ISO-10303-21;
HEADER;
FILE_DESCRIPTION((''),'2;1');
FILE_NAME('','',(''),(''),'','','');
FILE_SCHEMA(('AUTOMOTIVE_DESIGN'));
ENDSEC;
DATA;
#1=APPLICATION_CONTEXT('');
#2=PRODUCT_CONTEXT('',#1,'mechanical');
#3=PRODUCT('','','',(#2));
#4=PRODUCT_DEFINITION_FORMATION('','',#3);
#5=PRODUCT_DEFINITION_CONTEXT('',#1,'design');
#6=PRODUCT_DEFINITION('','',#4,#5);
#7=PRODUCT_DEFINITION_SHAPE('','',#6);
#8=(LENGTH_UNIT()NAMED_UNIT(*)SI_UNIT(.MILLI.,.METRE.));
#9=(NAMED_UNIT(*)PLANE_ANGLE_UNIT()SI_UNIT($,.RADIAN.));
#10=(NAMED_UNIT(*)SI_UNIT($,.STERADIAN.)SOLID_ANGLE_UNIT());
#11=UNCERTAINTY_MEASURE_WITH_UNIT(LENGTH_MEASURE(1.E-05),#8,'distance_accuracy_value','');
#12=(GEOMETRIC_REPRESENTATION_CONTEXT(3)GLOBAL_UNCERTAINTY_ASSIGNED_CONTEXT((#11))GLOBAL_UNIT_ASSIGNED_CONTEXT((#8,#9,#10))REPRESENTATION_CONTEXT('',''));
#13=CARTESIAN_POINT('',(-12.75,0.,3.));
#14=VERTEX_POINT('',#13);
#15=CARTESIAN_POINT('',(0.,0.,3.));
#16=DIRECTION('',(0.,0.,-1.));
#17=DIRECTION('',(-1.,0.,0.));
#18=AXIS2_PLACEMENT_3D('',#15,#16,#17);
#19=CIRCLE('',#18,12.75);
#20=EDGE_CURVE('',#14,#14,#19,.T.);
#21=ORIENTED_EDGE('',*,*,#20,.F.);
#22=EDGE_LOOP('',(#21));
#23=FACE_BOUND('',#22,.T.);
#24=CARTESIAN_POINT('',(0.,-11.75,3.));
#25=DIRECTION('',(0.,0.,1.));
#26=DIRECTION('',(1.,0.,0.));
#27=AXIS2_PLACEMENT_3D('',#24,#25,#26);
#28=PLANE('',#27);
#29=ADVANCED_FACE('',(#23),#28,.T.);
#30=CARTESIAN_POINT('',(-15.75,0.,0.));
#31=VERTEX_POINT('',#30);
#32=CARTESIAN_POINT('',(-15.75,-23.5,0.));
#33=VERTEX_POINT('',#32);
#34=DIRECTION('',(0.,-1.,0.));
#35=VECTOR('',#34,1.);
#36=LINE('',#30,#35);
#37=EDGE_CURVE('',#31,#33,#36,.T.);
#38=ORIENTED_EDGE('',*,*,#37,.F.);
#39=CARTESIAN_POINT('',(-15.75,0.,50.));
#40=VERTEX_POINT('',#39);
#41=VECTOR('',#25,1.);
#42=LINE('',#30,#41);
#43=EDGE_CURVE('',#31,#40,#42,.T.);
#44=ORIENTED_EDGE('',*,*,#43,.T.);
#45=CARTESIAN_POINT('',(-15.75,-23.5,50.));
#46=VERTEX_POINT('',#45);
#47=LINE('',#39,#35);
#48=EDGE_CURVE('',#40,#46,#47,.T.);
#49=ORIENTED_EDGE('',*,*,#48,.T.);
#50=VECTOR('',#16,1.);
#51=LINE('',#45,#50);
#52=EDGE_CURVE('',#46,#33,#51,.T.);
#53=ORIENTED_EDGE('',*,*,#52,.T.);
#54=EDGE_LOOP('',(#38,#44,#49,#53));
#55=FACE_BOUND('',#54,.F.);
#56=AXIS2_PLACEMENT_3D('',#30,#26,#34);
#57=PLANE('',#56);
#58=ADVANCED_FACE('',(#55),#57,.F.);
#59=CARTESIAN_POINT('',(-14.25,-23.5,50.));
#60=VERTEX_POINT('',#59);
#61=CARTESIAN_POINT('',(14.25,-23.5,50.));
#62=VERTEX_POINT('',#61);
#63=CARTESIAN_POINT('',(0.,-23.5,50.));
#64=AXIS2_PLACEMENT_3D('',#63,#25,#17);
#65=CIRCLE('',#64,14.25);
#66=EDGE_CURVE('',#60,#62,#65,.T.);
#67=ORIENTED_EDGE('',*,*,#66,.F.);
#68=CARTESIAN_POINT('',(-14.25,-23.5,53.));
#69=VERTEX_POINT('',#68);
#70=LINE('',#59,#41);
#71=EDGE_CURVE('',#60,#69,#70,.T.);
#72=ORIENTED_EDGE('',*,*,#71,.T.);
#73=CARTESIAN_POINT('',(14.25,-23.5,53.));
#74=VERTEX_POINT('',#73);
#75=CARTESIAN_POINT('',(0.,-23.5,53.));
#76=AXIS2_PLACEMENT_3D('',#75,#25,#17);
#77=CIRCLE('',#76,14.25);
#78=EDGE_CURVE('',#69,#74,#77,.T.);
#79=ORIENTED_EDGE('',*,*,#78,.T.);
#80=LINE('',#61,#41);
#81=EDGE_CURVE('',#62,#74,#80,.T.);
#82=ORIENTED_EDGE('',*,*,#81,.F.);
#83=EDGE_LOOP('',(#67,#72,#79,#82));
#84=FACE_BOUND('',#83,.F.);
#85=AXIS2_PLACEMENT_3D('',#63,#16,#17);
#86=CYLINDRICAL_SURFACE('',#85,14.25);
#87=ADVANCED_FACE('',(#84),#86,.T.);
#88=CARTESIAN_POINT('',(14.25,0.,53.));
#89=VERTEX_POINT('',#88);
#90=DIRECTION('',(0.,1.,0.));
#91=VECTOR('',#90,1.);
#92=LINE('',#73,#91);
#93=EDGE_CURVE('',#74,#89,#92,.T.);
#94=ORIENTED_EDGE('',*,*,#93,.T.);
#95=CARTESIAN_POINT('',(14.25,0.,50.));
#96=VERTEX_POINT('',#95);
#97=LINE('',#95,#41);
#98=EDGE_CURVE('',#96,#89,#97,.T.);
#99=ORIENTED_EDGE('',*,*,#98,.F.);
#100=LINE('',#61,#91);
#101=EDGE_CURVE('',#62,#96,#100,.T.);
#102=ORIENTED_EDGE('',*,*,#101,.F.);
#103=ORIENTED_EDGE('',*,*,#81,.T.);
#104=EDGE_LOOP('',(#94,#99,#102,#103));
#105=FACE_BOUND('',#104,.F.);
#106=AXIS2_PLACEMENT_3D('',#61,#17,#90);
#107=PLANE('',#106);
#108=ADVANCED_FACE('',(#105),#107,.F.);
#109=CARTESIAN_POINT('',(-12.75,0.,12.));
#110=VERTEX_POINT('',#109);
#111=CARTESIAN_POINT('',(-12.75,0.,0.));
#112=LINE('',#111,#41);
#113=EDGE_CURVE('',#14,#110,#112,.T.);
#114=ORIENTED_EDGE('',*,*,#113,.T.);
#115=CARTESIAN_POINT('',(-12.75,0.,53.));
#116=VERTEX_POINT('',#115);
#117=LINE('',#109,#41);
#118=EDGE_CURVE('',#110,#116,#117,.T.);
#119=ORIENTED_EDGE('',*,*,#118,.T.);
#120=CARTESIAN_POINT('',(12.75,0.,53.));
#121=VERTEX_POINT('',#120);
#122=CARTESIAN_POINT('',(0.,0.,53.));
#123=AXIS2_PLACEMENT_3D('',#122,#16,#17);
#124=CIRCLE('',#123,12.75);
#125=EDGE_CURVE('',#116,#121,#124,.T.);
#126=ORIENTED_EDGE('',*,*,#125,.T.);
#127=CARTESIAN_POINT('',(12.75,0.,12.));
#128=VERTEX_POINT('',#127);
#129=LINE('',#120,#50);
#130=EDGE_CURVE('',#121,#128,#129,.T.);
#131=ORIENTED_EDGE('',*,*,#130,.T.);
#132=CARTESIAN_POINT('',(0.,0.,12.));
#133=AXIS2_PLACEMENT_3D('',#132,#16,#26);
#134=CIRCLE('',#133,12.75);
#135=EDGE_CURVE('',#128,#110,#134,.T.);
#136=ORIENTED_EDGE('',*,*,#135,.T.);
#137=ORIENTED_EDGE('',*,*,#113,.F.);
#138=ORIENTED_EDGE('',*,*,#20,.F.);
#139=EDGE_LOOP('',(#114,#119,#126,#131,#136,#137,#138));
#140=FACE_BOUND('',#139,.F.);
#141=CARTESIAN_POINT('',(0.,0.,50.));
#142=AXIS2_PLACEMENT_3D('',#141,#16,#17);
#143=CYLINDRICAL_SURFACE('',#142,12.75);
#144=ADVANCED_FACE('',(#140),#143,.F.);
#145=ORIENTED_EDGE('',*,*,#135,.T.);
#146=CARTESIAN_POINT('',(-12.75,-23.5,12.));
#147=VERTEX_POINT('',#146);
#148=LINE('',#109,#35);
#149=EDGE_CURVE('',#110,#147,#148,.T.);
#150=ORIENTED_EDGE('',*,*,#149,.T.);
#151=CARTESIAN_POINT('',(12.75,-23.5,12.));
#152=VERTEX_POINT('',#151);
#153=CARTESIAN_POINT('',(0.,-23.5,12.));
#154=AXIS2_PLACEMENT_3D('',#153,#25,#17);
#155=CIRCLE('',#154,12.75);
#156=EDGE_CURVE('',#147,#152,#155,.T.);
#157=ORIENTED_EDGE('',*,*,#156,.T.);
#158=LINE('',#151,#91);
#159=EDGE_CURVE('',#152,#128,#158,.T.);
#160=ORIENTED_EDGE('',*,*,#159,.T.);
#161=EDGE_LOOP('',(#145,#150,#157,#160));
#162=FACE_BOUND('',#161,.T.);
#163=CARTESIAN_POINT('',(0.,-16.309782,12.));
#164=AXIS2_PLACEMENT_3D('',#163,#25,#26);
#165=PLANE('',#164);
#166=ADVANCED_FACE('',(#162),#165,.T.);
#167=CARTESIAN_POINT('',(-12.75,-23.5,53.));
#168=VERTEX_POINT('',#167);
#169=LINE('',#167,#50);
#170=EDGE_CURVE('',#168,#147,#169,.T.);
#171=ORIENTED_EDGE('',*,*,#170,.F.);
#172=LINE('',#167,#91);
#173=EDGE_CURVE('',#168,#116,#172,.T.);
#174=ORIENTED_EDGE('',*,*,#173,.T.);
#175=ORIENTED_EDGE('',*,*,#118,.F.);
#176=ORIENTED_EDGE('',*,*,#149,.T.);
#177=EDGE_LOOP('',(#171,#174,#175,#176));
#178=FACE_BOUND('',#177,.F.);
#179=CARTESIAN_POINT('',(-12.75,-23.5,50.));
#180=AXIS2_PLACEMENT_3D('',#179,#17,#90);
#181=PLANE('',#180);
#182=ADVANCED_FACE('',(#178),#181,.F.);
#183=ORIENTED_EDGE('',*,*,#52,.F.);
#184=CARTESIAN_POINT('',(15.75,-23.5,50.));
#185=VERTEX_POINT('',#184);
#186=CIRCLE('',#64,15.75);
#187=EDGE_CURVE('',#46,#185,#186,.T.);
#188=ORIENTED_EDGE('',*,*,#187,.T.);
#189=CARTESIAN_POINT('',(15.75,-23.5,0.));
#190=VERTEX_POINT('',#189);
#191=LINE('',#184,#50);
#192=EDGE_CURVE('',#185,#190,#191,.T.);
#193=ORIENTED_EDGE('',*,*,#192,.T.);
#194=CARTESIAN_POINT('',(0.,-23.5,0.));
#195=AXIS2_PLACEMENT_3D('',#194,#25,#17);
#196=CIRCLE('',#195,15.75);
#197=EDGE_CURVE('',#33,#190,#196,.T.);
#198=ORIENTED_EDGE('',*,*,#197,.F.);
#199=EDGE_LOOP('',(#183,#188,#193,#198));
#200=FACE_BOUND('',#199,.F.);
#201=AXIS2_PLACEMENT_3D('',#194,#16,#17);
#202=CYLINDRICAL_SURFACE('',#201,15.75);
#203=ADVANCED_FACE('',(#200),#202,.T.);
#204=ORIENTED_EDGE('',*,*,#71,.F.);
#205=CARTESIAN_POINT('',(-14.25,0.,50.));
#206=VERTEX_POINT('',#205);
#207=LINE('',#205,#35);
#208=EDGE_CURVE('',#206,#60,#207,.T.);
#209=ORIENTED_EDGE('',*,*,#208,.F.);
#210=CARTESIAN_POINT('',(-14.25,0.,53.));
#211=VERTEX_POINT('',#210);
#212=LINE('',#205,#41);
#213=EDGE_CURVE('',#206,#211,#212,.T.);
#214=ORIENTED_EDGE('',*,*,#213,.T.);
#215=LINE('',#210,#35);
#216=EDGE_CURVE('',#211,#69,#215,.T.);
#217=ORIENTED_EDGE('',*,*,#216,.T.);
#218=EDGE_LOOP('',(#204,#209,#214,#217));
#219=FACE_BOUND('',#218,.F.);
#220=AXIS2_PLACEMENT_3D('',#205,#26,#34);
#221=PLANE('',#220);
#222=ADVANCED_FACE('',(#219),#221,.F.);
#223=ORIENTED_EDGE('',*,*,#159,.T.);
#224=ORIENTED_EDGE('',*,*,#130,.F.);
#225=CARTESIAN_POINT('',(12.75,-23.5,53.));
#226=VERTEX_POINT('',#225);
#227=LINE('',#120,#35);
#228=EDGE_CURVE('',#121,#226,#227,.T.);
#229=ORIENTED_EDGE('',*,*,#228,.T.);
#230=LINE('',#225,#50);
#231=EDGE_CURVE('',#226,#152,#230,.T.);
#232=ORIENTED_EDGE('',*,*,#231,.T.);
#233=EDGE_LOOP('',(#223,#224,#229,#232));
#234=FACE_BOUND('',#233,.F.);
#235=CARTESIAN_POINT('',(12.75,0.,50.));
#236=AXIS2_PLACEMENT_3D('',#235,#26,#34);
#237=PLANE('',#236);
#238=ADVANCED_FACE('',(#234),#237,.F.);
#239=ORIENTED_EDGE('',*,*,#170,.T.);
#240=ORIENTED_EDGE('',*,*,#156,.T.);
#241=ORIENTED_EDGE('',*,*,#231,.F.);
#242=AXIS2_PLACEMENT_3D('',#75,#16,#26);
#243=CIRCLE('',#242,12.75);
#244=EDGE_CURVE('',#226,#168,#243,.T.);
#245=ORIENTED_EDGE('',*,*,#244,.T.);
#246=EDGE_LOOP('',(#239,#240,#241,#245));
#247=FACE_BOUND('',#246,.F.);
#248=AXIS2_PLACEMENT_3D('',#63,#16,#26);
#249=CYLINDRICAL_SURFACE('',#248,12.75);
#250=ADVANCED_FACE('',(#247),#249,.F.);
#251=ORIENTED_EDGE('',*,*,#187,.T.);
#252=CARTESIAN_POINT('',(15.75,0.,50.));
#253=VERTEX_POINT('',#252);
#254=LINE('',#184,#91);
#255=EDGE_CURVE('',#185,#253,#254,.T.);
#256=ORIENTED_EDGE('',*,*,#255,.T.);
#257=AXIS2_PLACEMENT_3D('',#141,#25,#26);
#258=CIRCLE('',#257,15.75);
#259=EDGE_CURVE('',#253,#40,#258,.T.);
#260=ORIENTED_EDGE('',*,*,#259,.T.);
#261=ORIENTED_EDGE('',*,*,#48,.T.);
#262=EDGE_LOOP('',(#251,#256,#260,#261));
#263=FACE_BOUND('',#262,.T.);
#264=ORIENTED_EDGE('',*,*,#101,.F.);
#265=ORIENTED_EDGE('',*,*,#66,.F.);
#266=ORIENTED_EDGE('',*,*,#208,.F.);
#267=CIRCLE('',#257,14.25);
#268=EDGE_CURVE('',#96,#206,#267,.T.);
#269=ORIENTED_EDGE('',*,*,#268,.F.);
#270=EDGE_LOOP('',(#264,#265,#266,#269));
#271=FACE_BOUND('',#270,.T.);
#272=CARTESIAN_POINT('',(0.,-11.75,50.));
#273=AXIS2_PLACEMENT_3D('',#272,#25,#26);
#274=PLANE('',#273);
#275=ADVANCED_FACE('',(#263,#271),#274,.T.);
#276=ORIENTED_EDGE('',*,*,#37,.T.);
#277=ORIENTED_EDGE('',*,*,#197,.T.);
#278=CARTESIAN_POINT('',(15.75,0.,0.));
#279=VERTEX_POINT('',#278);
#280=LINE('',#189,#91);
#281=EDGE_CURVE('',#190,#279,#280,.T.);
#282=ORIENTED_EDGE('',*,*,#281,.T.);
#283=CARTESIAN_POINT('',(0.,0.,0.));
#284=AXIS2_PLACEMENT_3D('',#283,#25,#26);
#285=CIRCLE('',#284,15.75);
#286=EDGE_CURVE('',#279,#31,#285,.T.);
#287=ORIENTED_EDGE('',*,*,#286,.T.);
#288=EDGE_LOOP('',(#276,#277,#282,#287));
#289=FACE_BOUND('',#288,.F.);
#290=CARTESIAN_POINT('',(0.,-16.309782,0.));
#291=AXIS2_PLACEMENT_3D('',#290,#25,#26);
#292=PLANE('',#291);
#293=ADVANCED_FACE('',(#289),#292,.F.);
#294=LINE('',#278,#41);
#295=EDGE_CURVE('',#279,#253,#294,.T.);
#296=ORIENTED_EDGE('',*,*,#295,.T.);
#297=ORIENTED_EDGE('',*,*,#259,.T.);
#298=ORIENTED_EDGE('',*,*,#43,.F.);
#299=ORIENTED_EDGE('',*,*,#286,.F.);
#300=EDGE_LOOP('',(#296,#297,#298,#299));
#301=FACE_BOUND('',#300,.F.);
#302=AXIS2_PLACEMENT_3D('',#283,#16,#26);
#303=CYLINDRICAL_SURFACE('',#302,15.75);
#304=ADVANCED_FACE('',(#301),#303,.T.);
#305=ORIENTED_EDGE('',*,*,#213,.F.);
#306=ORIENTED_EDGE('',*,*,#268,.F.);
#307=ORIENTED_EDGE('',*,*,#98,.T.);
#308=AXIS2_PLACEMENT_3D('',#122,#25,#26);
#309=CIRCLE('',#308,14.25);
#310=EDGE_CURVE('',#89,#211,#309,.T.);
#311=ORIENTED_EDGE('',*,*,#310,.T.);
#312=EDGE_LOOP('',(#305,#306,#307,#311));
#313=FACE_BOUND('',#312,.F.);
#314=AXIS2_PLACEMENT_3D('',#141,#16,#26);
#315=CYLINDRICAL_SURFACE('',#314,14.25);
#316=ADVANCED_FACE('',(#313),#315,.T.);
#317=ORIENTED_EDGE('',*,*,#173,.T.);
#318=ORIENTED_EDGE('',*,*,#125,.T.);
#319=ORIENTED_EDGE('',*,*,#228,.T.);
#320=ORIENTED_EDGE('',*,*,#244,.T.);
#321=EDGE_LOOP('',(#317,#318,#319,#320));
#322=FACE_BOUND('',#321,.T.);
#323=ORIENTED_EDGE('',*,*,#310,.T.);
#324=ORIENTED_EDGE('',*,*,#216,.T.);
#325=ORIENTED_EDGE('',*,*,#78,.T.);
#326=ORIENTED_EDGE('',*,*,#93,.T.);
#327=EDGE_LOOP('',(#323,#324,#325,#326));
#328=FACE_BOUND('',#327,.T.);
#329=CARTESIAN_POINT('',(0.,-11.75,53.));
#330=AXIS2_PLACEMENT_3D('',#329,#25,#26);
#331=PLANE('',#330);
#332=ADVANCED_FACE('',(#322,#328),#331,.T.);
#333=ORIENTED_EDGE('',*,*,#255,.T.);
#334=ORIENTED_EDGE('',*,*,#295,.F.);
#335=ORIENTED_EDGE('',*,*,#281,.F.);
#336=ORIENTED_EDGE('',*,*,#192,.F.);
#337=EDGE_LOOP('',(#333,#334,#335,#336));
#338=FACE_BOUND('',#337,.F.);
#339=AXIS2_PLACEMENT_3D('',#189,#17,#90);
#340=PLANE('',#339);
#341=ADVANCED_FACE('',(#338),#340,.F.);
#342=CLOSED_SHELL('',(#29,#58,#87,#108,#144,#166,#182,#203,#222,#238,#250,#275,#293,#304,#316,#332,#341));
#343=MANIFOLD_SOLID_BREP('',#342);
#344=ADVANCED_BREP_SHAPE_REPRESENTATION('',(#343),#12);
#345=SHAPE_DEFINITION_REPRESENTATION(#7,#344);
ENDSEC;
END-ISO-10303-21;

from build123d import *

# Parameters (mm, degrees)
F1_DEPTH = 3
F2_DEPTH = 12
F3_DEPTH = 50
F5_DEPTH = 3


with BuildPart() as f1:
    # F0 (on Top) → F1 (new body)
    with BuildSketch(Plane.XY):
        with BuildLine():
            Line((15.75, -23.5), (15.75, 0))
            ThreePointArc((15.75, 0), (0, 15.75), (-15.75, 0))
            Line((-15.75, 0), (-15.75, -23.5))
            ThreePointArc((-15.75, -23.5), (0, -39.25), (15.75, -23.5))
        make_face()
        with BuildLine():
            ThreePointArc((-12.75, 0), (0, 12.75), (12.75, 0))
            Line((12.75, 0), (12.75, -23.5))
            ThreePointArc((12.75, -23.5), (0, -36.25), (-12.75, -23.5))
            Line((-12.75, -23.5), (-12.75, 0))
        make_face(mode=Mode.SUBTRACT)
        with BuildLine():
            ThreePointArc((-12.75, 0), (0, -12.75), (12.75, 0))
            ThreePointArc((12.75, 0), (0, 12.75), (-12.75, 0))
        make_face()
        with BuildLine():
            Line((12.75, -23.5), (12.75, 0))
            ThreePointArc((12.75, 0), (0, -12.75), (-12.75, 0))
            Line((-12.75, 0), (-12.75, -23.5))
            ThreePointArc((-12.75, -23.5), (0, -36.25), (12.75, -23.5))
        make_face()
    extrude(amount=F1_DEPTH)

    # F0 (on Top) → F2 (join)
    with BuildSketch(Plane.XY):
        with BuildLine():
            Line((12.75, -23.5), (12.75, 0))
            ThreePointArc((12.75, 0), (0, -12.75), (-12.75, 0))
            Line((-12.75, 0), (-12.75, -23.5))
            ThreePointArc((-12.75, -23.5), (0, -36.25), (12.75, -23.5))
        make_face()
    extrude(amount=F2_DEPTH)

    # F0 (on Top) → F3 (join)
    with BuildSketch(Plane.XY):
        with BuildLine():
            Line((15.75, -23.5), (15.75, 0))
            ThreePointArc((15.75, 0), (0, 15.75), (-15.75, 0))
            Line((-15.75, 0), (-15.75, -23.5))
            ThreePointArc((-15.75, -23.5), (0, -39.25), (15.75, -23.5))
        make_face()
        with BuildLine():
            ThreePointArc((-12.75, 0), (0, 12.75), (12.75, 0))
            Line((12.75, 0), (12.75, -23.5))
            ThreePointArc((12.75, -23.5), (0, -36.25), (-12.75, -23.5))
            Line((-12.75, -23.5), (-12.75, 0))
        make_face(mode=Mode.SUBTRACT)
    extrude(amount=F3_DEPTH)

    # F4 (on face) → F5 (join)
    with BuildSketch(Plane.XY.offset(50)):
        with BuildLine():
            ThreePointArc((14.25, 0), (0, 14.25), (-14.25, 0))
            Line((-14.25, 0), (-14.25, -23.5))
            ThreePointArc((-14.25, -23.5), (0, -37.75), (14.25, -23.5))
            Line((14.25, -23.5), (14.25, 0))
        make_face()
        with BuildLine():
            ThreePointArc((-12.75, 0), (0, 12.75), (12.75, 0))
            Line((12.75, 0), (12.75, -23.5))
            ThreePointArc((12.75, -23.5), (0, -36.25), (-12.75, -23.5))
            Line((-12.75, -23.5), (-12.75, 0))
        make_face(mode=Mode.SUBTRACT)
    extrude(amount=F5_DEPTH)


solid = f1.part
